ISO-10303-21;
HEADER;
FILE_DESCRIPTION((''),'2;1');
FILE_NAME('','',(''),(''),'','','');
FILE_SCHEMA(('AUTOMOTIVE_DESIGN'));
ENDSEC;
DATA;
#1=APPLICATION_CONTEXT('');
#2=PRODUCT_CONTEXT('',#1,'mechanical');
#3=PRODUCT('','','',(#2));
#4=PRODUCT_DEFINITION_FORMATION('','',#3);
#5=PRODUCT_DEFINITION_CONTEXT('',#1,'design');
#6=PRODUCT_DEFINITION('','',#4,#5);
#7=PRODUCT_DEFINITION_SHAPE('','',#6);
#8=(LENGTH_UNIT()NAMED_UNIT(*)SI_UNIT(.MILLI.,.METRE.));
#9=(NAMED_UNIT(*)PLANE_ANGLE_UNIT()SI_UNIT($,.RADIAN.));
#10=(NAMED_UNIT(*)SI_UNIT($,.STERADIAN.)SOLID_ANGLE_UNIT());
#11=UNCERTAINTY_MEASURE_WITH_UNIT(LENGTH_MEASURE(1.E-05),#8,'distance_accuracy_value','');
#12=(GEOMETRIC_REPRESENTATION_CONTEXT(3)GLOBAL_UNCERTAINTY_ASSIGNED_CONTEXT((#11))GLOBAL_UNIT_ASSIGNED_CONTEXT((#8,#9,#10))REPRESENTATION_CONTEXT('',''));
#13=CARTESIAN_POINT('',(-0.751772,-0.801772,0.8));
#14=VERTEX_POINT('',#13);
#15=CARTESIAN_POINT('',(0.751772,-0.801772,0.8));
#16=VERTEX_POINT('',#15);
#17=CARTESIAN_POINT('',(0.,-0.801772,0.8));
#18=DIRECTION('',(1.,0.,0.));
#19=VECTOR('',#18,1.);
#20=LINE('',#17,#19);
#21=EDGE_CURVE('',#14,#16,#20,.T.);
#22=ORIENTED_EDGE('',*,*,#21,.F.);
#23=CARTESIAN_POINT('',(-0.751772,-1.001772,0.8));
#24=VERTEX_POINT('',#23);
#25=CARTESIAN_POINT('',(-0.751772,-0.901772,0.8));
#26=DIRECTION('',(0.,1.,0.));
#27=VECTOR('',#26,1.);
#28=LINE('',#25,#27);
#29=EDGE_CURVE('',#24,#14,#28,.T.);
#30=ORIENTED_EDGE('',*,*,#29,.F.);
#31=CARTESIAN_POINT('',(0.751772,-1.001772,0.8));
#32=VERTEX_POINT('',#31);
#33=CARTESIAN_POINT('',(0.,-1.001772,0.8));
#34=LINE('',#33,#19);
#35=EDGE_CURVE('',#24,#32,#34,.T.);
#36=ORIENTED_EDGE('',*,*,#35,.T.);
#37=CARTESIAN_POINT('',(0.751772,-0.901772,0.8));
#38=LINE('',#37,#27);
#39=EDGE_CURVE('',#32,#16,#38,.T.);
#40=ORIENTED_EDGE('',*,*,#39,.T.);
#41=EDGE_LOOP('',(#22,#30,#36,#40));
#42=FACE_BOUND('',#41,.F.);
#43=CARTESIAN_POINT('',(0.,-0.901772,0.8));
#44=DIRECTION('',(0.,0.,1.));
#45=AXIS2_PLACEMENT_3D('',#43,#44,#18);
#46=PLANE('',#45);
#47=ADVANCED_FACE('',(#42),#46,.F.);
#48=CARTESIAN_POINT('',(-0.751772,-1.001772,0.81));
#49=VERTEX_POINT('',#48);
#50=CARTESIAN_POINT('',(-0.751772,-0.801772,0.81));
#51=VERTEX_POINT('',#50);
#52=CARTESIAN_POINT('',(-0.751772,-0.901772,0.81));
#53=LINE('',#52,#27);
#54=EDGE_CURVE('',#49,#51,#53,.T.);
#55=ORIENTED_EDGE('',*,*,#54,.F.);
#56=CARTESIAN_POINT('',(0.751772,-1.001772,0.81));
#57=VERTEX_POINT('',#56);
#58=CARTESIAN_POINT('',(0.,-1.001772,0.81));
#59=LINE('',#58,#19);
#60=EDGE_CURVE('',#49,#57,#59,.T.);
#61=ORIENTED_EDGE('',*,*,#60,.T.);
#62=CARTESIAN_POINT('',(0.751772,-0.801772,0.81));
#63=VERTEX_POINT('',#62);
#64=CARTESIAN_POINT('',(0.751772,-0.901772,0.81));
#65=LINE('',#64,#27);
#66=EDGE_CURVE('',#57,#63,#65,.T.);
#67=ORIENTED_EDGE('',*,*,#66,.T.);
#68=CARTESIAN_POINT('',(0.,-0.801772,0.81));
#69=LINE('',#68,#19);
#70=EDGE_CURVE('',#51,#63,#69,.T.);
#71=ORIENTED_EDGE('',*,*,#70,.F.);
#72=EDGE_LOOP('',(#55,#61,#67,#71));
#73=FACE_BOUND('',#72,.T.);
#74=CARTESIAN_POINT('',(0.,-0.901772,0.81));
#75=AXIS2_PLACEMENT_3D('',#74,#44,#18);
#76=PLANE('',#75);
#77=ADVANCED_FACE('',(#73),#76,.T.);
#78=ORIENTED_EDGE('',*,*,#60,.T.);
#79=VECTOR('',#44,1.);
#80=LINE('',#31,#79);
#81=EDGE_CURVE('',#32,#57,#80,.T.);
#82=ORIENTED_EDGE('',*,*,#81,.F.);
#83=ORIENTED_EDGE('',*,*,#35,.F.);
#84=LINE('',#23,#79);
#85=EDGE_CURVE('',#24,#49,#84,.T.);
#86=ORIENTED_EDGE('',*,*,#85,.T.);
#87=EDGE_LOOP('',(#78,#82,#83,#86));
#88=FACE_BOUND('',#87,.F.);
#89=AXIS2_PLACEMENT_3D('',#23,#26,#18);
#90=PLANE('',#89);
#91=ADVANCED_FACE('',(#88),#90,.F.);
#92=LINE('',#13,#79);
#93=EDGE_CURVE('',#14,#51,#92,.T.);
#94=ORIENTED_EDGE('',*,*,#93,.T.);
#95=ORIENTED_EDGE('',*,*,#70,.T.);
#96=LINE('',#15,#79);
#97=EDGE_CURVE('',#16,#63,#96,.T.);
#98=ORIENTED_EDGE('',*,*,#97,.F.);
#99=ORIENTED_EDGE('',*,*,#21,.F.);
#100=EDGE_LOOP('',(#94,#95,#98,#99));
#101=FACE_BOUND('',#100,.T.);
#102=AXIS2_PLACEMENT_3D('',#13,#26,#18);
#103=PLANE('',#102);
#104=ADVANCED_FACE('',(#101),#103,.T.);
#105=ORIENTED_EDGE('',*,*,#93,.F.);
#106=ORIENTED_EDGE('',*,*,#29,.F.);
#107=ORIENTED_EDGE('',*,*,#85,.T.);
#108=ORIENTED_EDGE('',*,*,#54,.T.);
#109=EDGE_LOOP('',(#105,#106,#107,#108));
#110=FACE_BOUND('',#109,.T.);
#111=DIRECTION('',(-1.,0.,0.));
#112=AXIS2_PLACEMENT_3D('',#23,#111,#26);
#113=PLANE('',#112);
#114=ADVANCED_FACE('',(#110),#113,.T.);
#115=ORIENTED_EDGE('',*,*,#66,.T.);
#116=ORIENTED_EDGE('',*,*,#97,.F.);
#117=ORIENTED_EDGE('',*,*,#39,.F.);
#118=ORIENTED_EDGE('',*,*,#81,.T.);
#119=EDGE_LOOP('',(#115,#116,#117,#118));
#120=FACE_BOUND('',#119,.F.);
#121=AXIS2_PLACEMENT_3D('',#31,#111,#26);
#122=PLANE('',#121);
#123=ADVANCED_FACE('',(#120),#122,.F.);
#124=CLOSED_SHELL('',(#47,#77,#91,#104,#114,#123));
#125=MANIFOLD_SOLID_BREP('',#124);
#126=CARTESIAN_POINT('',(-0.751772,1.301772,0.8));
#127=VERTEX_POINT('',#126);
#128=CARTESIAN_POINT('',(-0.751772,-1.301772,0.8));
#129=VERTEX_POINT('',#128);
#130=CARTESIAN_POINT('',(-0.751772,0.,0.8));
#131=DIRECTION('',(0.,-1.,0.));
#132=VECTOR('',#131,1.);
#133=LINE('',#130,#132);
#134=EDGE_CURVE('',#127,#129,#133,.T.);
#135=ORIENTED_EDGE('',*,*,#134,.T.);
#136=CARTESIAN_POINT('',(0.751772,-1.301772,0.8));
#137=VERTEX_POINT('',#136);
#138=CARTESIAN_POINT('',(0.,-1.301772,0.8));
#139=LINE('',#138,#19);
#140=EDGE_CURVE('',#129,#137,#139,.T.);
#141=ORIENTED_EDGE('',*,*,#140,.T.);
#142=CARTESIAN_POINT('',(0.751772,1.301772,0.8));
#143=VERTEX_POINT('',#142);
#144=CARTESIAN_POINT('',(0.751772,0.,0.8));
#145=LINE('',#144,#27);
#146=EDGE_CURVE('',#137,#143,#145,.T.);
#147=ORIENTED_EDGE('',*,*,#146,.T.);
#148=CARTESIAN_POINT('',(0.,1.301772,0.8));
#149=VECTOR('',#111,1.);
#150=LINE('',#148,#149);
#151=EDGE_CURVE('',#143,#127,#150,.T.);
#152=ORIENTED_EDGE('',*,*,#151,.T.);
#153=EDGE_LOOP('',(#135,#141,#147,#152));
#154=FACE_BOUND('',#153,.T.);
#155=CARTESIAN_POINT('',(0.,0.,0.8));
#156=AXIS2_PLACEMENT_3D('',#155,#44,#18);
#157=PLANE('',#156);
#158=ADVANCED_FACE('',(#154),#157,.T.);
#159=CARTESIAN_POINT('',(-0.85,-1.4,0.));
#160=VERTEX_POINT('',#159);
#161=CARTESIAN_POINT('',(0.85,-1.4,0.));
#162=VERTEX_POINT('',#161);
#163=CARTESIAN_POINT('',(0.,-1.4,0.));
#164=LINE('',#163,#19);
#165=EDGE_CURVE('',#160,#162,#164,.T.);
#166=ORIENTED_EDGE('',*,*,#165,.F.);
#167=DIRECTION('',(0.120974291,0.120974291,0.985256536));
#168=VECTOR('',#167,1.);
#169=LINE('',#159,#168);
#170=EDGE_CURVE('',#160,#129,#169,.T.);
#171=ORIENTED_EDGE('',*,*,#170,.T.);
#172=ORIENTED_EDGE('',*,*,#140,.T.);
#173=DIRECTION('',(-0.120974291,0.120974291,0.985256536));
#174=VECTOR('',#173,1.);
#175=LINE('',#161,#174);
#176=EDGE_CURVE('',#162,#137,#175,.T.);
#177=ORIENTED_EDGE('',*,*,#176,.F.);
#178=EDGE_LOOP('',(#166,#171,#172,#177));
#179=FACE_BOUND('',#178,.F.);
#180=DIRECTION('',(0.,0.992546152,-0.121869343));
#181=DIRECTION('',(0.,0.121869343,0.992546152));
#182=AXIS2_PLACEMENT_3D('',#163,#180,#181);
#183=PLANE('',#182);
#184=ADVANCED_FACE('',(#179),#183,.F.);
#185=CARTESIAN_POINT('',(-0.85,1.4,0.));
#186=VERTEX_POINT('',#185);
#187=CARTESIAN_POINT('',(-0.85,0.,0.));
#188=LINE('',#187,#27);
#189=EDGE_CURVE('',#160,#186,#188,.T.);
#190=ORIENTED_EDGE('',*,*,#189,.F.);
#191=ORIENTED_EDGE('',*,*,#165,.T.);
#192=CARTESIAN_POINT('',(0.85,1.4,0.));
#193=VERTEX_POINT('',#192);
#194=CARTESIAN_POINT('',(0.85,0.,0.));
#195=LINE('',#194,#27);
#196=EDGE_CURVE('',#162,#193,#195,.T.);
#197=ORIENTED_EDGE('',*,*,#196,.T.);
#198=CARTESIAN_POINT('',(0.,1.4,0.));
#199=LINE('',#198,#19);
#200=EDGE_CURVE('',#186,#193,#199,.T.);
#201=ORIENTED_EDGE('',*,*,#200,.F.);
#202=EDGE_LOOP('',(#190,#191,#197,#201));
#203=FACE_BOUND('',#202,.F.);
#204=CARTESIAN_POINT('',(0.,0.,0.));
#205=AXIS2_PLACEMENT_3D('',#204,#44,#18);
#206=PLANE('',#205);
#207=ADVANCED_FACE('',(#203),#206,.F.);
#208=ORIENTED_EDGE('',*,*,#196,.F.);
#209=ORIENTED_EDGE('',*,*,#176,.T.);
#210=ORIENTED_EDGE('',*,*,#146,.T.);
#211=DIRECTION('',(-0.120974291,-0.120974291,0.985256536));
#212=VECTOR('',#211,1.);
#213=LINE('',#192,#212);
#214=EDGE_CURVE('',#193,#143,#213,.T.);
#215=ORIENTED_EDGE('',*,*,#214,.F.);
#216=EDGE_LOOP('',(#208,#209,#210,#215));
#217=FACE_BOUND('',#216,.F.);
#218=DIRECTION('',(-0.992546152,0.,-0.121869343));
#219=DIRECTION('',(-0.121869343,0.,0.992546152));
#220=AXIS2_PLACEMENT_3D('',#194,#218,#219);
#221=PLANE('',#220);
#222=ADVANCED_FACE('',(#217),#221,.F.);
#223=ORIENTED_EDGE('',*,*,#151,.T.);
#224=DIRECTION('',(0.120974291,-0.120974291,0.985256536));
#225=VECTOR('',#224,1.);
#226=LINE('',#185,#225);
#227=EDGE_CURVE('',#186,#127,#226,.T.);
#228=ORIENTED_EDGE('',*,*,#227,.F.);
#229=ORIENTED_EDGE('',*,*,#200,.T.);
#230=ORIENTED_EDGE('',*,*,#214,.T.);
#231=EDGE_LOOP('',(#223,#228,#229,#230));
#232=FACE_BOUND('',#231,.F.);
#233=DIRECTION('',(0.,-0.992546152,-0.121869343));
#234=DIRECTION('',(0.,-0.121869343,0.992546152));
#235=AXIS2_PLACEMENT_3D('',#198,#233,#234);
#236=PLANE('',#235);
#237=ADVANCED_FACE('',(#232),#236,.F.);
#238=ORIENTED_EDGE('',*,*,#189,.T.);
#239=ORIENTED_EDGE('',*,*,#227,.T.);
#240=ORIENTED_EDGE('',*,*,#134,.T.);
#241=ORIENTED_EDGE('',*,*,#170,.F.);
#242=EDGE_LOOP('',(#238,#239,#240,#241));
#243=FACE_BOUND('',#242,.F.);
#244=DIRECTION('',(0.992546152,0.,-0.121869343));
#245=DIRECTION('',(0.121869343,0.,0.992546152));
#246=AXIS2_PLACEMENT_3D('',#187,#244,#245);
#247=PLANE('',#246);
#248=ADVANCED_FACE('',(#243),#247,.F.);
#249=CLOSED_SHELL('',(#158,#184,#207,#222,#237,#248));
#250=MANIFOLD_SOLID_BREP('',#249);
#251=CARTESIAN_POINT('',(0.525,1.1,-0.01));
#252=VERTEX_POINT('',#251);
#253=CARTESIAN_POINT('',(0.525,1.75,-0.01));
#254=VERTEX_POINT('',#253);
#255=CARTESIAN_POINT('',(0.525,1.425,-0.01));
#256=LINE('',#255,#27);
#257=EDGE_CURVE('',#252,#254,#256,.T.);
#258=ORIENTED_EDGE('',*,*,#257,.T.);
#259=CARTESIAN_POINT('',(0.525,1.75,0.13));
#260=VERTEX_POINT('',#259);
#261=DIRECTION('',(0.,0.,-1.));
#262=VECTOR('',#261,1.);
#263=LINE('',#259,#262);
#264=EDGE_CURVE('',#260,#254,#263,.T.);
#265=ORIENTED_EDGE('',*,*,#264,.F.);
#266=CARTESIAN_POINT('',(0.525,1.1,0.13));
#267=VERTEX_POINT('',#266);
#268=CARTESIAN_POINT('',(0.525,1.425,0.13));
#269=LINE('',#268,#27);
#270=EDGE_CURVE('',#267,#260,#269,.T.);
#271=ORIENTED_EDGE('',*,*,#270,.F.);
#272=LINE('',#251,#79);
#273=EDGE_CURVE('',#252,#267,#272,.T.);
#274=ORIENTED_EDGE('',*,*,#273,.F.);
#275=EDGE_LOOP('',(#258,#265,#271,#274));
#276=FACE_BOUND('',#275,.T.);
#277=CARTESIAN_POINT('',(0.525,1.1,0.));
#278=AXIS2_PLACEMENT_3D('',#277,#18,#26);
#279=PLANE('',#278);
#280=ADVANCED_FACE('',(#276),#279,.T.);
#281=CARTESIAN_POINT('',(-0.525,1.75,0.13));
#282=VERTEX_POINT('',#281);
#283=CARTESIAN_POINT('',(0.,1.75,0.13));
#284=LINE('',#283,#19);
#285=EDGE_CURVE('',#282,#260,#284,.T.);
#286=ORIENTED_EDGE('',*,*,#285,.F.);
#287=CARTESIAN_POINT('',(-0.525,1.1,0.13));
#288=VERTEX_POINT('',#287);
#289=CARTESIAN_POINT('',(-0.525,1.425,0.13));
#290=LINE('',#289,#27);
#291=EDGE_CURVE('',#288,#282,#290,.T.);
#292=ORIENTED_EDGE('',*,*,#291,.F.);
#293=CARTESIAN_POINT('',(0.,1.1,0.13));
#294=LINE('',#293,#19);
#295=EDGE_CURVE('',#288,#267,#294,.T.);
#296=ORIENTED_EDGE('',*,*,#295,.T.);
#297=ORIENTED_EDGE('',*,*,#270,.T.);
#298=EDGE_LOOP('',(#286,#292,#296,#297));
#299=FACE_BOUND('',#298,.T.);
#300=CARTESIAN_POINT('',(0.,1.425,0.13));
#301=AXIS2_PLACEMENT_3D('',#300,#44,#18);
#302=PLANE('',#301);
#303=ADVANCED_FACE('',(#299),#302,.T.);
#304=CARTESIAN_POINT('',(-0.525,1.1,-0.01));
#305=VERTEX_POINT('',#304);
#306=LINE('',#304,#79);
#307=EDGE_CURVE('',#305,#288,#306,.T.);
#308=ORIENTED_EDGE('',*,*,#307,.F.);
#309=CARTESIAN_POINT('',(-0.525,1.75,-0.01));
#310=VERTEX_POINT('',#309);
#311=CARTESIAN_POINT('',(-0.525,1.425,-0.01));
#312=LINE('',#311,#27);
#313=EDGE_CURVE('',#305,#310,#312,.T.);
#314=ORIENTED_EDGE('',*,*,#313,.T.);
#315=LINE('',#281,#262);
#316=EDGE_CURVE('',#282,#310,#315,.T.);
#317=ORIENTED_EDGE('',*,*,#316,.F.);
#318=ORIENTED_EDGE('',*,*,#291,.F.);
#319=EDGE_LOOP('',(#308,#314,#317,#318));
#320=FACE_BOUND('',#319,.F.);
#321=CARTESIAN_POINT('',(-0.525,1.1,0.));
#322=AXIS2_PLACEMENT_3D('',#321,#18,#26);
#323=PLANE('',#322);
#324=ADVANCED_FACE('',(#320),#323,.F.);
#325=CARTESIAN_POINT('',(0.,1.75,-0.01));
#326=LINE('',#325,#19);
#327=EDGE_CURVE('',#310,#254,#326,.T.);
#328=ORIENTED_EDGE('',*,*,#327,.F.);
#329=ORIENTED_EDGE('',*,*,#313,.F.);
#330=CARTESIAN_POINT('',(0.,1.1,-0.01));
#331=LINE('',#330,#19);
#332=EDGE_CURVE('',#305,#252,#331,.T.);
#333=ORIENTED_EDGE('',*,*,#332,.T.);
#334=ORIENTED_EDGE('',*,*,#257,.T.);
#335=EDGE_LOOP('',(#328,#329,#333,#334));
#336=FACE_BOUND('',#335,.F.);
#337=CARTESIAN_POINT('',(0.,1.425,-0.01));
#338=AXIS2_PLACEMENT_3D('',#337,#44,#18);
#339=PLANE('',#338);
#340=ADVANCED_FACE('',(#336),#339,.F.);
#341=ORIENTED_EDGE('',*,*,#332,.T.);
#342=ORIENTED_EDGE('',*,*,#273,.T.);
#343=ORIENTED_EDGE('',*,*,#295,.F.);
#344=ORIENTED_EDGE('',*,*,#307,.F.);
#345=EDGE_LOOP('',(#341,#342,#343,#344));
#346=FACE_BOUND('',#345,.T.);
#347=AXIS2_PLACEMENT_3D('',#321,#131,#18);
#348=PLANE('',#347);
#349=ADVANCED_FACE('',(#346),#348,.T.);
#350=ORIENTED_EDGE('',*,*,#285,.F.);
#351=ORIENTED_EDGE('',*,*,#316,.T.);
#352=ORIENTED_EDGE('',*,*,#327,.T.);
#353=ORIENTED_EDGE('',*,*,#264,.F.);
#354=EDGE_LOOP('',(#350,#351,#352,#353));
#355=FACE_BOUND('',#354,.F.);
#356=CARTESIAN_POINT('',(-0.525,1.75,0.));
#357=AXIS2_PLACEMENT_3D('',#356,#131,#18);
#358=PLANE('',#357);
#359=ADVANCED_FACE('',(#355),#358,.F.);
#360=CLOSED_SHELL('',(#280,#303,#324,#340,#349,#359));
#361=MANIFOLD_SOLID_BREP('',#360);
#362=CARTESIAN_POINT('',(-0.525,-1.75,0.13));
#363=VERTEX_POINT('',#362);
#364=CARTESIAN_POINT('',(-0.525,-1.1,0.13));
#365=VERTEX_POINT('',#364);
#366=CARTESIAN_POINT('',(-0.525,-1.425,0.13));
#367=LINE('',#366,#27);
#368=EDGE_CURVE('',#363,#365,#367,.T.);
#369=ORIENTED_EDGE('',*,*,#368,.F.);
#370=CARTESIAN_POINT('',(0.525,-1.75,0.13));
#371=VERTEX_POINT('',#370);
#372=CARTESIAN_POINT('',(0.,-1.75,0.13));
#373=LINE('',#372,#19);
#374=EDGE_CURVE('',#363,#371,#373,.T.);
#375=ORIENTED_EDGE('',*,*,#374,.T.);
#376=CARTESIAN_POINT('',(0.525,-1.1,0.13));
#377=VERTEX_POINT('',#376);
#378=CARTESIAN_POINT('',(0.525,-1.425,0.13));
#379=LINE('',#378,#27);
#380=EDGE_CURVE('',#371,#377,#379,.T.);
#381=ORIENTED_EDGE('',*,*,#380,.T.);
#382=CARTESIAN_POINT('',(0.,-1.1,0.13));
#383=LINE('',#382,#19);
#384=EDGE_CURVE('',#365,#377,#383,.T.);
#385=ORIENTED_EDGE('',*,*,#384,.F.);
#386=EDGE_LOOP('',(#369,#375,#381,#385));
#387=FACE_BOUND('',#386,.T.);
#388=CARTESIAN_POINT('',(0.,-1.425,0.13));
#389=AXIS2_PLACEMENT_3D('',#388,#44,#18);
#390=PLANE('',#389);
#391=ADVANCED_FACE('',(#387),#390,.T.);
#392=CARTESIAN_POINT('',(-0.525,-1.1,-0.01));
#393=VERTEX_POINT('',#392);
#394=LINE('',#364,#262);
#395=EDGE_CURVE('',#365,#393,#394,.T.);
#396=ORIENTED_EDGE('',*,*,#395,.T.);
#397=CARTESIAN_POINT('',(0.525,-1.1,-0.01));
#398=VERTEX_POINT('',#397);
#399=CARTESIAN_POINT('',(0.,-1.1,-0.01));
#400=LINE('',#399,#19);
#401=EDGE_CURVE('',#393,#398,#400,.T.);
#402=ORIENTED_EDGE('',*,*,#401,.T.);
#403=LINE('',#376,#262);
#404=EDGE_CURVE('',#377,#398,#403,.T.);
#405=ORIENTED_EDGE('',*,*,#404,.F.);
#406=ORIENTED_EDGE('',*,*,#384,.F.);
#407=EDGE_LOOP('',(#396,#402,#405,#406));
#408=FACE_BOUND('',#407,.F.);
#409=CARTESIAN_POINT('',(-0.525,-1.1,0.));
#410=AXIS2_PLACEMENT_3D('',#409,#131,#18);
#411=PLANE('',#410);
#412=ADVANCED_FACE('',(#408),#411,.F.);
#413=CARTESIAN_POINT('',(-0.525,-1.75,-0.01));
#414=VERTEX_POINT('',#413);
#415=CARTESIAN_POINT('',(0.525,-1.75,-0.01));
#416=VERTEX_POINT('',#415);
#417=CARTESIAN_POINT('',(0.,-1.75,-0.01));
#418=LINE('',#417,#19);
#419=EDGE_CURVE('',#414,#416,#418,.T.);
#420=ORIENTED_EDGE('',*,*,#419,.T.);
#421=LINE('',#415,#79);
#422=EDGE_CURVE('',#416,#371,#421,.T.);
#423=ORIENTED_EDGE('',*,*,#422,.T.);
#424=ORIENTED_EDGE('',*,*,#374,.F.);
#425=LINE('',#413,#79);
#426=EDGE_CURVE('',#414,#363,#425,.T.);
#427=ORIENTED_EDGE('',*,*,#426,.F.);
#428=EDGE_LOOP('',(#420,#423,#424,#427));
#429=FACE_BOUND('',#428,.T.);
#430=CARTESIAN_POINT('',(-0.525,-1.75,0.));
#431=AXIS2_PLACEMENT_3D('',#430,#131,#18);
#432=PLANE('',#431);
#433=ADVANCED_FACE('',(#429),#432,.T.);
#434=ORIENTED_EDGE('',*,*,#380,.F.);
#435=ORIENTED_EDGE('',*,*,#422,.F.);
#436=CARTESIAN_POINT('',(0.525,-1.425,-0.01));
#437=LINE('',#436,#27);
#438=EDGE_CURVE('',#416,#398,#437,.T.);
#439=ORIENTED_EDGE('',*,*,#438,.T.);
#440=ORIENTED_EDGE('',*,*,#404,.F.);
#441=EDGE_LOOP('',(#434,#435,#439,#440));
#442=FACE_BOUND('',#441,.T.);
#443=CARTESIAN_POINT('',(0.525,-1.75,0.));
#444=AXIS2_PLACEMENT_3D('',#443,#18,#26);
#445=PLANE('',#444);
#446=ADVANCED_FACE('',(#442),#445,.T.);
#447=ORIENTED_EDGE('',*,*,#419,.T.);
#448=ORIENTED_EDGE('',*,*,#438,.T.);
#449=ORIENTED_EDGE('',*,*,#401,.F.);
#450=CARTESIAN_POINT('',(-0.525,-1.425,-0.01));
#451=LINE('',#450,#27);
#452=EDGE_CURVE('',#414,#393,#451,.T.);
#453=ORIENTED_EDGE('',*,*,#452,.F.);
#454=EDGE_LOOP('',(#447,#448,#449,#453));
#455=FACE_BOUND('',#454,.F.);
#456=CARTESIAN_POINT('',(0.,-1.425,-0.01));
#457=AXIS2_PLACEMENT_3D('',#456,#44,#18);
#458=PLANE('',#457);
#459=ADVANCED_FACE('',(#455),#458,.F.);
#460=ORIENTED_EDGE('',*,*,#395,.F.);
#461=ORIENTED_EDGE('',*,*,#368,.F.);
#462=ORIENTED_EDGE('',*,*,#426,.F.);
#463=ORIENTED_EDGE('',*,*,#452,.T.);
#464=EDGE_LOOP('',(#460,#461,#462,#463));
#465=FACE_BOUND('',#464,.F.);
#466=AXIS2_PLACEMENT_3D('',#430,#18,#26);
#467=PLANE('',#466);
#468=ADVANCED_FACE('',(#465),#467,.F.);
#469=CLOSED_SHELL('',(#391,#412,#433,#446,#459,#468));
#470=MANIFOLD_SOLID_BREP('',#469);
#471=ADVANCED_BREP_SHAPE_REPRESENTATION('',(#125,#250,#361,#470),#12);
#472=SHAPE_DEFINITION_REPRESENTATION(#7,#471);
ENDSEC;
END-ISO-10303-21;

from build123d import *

# Parameters (mm, degrees)
F0_W          = 1.7
F0_H          = 2.8
F1_DEPTH      = 0.8
F1_TAPER      = 7
F2_W          = 1.05
F2_H          = 0.65
F3_DEPTH      = 0.13
F3_DEPTH_BACK = 0.01
F4_W          = 1.5035447026
F4_H          = 0.2
F5_DEPTH      = 0.01


with BuildPart() as f1:
    # F0 (on Top) → F1 (new body)
    with BuildSketch(Plane.XY):
        Rectangle(F0_W, F0_H)
    extrude(amount=F1_DEPTH, taper=F1_TAPER)


with BuildPart() as f3:
    # F2 (on Top) → F3 (new body, two sides)
    with BuildSketch(Plane.XY) as f3_sk:
        with Locations((0, 1.425)):
            Rectangle(F2_W, F2_H)
    extrude(amount=F3_DEPTH)
    extrude(f3_sk.sketch, amount=-F3_DEPTH_BACK)


with BuildPart() as f3b:
    # F2 (on Top) → F3, piece 2 (new body, two sides)
    with BuildSketch(Plane.XY) as f3_2_sk:
        with Locations((0, -1.425)):
            Rectangle(F2_W, F2_H)
    extrude(amount=F3_DEPTH)
    extrude(f3_2_sk.sketch, amount=-F3_DEPTH_BACK)


with BuildPart() as f5:
    # F4 (on face) → F5 (new body)
    with BuildSketch(Plane.XY.offset(0.8)):
        with Locations((0, -0.9017723513)):
            Rectangle(F4_W, F4_H)
    extrude(amount=F5_DEPTH)


solid = Compound([f1.part, f3.part, f3b.part, f5.part])
